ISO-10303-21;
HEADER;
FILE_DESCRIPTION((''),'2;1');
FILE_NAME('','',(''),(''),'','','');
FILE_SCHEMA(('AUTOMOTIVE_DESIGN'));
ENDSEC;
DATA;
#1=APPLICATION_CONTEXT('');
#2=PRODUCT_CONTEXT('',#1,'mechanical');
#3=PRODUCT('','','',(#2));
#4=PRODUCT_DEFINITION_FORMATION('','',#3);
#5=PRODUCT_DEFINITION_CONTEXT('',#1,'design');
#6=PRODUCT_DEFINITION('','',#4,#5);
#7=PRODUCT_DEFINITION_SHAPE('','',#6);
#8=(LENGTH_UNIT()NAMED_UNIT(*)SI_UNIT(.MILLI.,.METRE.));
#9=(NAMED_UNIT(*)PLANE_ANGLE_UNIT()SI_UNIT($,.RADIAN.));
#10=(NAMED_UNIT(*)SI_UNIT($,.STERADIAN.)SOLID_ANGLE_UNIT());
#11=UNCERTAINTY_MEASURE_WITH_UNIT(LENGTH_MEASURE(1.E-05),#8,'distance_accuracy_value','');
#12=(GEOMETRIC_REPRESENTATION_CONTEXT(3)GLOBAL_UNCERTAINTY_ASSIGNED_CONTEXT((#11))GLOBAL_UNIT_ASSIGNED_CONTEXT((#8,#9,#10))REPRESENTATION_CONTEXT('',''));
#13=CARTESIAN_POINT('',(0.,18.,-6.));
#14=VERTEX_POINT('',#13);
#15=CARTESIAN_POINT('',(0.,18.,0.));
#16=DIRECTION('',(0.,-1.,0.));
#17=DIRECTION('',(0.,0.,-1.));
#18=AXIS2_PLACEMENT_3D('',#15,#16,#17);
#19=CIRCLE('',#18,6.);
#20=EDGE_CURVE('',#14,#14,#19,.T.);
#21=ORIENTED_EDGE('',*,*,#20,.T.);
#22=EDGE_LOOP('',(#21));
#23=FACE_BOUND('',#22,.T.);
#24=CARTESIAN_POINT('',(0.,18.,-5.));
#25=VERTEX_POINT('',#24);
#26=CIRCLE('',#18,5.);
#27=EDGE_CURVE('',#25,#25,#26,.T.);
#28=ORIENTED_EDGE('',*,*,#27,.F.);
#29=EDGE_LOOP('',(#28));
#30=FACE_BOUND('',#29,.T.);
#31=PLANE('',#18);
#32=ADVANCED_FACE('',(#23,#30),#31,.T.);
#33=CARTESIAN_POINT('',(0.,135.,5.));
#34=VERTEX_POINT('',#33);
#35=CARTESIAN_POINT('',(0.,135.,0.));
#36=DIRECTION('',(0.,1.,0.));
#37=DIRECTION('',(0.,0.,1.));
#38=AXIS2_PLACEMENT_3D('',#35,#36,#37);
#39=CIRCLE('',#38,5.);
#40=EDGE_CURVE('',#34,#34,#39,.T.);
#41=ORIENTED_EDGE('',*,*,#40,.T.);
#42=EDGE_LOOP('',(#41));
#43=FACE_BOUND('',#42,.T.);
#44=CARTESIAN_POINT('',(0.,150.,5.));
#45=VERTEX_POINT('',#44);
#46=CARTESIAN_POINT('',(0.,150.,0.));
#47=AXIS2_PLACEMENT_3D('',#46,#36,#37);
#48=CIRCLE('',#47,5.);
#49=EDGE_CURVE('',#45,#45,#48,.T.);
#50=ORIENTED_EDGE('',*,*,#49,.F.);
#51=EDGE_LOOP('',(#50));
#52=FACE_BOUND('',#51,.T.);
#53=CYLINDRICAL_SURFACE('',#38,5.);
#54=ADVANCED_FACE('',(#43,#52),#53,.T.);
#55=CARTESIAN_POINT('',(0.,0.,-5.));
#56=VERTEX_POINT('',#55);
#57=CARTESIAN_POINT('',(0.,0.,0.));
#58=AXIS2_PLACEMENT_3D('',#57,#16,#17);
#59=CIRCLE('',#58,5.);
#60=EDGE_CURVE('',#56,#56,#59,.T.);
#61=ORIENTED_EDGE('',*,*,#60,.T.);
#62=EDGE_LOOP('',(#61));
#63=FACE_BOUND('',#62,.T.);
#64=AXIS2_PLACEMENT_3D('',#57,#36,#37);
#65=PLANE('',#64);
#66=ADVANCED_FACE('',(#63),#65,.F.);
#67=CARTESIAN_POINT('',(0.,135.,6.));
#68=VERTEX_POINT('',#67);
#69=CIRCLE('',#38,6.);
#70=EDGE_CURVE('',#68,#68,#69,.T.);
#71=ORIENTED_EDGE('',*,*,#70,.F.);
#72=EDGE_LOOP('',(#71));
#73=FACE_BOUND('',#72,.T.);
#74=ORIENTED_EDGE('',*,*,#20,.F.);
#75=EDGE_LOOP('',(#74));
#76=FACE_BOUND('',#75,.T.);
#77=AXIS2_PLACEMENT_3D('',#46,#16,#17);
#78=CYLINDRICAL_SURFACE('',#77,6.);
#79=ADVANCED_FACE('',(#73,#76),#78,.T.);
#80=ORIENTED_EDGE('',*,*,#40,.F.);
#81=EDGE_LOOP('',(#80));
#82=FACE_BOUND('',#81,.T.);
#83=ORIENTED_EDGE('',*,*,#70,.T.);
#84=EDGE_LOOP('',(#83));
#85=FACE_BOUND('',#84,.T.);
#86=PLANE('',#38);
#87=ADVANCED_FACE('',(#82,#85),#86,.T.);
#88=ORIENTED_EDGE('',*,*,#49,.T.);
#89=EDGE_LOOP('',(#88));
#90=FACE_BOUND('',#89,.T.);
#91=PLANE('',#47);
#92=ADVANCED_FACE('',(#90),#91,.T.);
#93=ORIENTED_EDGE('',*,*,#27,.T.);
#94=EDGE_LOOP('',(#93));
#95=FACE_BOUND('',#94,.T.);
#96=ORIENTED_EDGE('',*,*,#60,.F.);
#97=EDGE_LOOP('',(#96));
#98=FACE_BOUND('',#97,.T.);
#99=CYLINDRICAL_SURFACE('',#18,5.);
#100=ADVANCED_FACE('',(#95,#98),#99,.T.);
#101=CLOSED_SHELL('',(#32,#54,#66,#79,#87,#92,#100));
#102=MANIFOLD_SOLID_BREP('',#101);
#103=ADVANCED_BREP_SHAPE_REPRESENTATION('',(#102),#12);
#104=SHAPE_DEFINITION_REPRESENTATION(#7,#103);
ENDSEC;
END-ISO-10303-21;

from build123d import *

# Parameters (mm, degrees)
SKETCH_1_R          = 6
EXTRUDE_1_DEPTH     = 150
CUT_EXTRUDE_START   = -15
SKETCH_2_R          = 6
SKETCH_2_R_2        = 5
CUT_EXTRUDE_1_DEPTH = 15
SKETCH_3_R          = 6
SKETCH_3_R_2        = 5
CUT_EXTRUDE_2_DEPTH = 18


with BuildPart() as part:
    # ｽｹｯﾁ1 → ﾎﾞｽ - 押し出し1 (new body)
    with BuildSketch(Plane(origin=(0, 0, 0), x_dir=(1, 0, 0), z_dir=(0, 1, 0))):
        with Locations(Location((0, 0, 0), (0, 0, 270))):
            Circle(SKETCH_1_R)
    extrude(amount=EXTRUDE_1_DEPTH)

    # ｽｹｯﾁ2 → ｶｯﾄ - 押し出し1 (cut)
    with BuildSketch(Plane(origin=(0, 150, 0), x_dir=(1, 0, 0), z_dir=(0, 1, 0)).offset(CUT_EXTRUDE_START)):
        with Locations(Location((0, 0, 0), (0, 0, 270))):
            Circle(SKETCH_2_R)
        with Locations(Location((0, 0, 0), (0, 0, 270))):
            Circle(SKETCH_2_R_2, mode=Mode.SUBTRACT)
    extrude(amount=CUT_EXTRUDE_1_DEPTH, mode=Mode.SUBTRACT)

    # ｽｹｯﾁ3 → ｶｯﾄ - 押し出し2 (cut)
    with BuildSketch(Plane(origin=(0, 0, 0), x_dir=(-1, 0, 0), z_dir=(0, -1, 0))):
        with Locations(Location((0, 0, 0), (0, 0, 90))):
            Circle(SKETCH_3_R)
        with Locations(Location((0, 0, 0), (0, 0, 270))):
            Circle(SKETCH_3_R_2, mode=Mode.SUBTRACT)
    extrude(amount=-CUT_EXTRUDE_2_DEPTH, mode=Mode.SUBTRACT)


solid = part.part
